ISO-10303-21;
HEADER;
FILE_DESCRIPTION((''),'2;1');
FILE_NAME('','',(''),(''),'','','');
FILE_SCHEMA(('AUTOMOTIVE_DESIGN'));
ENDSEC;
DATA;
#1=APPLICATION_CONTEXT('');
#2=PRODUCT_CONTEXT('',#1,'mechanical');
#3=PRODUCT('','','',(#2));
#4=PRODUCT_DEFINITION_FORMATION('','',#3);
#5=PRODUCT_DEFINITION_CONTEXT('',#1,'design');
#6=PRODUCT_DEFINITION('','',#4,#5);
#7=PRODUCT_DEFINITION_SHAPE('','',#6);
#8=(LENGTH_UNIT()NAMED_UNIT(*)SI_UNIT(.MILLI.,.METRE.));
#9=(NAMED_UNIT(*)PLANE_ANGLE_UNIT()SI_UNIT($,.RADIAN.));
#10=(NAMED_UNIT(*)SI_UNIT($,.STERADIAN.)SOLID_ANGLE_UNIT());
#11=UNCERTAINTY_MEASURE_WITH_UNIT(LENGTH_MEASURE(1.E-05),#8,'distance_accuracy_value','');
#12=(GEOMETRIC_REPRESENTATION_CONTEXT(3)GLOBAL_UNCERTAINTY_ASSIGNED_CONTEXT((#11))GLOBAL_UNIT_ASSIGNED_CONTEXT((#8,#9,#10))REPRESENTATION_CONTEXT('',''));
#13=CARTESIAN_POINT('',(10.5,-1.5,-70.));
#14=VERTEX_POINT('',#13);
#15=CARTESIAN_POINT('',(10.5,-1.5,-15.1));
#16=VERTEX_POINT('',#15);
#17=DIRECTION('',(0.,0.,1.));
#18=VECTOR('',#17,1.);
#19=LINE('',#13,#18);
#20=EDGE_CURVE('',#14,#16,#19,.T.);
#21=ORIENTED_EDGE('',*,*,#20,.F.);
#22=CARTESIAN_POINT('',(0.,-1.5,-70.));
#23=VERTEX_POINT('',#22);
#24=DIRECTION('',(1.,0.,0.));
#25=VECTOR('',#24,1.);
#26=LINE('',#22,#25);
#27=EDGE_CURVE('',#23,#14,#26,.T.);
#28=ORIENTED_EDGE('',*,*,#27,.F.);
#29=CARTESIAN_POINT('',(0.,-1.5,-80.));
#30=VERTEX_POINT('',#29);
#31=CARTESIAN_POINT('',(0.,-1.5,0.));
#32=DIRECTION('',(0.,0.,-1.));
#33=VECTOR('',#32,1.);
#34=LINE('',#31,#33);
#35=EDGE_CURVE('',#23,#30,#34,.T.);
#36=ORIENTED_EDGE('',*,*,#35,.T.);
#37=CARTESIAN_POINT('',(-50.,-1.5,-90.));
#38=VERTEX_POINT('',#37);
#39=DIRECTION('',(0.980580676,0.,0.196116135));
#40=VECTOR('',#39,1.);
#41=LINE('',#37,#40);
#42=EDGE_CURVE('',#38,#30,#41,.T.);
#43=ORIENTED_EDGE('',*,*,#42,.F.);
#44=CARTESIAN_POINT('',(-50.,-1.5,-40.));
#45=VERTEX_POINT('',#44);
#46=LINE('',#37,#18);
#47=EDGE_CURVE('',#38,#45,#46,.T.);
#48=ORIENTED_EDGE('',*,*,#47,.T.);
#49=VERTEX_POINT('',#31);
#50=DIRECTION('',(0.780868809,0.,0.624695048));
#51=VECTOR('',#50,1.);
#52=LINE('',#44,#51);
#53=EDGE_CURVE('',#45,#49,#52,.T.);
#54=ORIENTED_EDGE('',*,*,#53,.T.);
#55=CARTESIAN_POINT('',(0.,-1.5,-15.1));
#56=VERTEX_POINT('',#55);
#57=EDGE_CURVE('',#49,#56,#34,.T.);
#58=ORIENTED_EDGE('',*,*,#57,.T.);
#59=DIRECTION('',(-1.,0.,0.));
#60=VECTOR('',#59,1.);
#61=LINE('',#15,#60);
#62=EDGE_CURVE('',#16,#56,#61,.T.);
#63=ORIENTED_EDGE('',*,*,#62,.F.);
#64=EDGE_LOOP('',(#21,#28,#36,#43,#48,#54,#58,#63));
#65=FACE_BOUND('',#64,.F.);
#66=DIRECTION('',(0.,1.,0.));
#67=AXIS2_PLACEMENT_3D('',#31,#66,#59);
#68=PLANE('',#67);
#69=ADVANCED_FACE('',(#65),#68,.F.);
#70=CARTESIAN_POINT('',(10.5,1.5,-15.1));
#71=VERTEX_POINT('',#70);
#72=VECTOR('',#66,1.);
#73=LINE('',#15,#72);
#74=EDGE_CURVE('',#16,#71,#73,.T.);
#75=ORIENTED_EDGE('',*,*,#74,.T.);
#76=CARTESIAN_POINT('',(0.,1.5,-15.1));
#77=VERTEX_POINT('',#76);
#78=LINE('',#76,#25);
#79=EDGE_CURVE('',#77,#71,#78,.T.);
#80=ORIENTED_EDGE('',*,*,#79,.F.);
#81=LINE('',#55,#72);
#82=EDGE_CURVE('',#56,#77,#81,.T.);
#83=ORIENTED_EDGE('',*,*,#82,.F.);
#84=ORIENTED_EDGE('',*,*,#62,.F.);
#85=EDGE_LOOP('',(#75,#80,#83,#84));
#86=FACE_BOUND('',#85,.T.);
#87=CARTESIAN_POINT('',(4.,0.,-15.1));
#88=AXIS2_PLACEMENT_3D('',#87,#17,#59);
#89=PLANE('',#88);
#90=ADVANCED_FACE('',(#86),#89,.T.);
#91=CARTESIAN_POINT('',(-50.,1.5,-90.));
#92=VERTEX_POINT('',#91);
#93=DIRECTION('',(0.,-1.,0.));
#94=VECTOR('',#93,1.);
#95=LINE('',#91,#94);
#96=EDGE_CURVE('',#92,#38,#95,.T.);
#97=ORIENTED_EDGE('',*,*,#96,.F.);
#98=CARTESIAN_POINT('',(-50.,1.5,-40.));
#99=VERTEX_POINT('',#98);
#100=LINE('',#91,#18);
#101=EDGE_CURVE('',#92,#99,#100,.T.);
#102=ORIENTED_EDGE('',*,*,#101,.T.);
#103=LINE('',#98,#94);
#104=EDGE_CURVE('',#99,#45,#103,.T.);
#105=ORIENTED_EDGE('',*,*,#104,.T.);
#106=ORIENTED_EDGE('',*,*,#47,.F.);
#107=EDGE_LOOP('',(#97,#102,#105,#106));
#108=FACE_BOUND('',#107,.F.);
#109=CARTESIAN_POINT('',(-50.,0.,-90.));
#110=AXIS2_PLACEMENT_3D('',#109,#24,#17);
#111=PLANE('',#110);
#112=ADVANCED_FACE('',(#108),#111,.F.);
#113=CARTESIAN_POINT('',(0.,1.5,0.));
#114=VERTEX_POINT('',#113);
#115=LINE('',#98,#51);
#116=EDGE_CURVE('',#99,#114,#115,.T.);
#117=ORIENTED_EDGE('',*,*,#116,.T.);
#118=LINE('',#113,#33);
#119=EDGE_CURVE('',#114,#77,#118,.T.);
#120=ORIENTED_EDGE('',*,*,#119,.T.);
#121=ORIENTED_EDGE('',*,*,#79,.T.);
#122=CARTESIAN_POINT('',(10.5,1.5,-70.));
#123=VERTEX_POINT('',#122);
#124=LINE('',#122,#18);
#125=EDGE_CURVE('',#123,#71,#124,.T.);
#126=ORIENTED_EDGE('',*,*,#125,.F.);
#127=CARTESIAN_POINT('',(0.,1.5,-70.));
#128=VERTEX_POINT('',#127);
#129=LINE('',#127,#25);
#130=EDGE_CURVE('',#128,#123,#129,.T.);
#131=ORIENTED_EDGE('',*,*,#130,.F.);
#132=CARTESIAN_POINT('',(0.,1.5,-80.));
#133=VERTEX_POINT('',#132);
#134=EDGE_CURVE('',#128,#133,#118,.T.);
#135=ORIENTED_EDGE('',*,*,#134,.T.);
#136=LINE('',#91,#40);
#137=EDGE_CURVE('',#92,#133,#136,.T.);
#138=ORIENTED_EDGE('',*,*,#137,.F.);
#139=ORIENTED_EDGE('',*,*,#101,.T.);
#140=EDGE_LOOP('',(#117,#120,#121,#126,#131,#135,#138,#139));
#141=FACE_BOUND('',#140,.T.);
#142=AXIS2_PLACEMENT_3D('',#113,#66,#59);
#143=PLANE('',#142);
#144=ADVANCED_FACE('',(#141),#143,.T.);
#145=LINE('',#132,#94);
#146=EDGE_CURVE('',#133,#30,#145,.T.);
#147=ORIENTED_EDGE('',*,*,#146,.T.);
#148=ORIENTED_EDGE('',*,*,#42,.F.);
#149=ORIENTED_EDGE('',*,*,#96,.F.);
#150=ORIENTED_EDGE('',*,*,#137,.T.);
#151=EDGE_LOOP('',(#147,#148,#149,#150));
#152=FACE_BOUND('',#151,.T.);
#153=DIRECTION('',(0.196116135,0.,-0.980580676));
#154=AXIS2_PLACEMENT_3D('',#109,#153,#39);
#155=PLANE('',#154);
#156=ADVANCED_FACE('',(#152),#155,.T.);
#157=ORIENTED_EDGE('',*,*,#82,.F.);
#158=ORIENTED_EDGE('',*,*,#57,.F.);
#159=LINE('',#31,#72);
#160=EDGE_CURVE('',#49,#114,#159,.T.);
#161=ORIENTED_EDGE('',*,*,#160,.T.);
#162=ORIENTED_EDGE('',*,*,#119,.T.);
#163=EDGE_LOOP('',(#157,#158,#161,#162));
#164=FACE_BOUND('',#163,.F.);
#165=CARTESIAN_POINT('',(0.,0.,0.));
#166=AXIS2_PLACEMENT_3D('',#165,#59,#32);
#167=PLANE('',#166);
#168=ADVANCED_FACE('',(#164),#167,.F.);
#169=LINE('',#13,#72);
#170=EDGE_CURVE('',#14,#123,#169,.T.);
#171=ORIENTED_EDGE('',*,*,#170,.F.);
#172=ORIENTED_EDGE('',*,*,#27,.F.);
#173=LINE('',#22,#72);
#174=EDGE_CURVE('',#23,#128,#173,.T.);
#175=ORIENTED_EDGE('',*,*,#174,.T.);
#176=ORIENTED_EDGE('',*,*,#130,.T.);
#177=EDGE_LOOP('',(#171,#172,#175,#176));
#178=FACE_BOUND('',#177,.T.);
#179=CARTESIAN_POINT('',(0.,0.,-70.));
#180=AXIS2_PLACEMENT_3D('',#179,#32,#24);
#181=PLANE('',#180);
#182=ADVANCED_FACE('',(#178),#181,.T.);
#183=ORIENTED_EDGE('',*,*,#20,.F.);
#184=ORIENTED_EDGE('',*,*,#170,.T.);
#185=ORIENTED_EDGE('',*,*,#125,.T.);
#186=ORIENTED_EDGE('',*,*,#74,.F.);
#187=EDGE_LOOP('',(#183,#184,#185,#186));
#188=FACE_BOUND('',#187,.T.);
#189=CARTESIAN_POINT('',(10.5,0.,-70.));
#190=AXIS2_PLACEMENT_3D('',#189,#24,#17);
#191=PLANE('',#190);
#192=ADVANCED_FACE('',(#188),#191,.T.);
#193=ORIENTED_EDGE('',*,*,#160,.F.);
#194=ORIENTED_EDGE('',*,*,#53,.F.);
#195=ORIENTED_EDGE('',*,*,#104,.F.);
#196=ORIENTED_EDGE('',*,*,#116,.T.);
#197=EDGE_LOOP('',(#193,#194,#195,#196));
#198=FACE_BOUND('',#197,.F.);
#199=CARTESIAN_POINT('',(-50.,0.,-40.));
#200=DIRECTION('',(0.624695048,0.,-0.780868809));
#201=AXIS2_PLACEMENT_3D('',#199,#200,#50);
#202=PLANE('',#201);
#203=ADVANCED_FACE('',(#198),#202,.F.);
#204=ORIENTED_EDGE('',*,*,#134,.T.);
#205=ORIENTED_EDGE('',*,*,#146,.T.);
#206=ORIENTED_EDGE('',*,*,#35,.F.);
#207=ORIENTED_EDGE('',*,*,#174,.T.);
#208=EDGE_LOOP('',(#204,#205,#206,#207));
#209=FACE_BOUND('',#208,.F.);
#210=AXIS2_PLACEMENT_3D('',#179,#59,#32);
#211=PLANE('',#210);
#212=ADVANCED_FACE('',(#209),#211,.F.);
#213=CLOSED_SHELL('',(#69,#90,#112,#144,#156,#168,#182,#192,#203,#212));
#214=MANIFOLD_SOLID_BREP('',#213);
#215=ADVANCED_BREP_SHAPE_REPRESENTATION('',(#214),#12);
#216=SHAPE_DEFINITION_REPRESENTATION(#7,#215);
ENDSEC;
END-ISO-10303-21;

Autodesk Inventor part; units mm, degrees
ref_plane "YZ Plane" through (0, 0, 0) normal (1, 0, 0) x (0, 1, 0)
ref_plane "XZ Plane" through (0, 0, 0) normal (0, 1, 0) x (-1, 0, 0)
ref_plane "XY Plane" through (0, 0, 0) normal (0, 0, 1) x (1, 0, 0)
sketch "Sketch1" plane through (0, 0, 0) normal (0, 1, 0) x (-1, 0, 0)
  line L0 (0, 0) -> (0, -80)
  line L1 (50, -90) -> (0, -80)
  line L2 (0, -70) -> (-10.5, -70)
  line L3 (-10.5, -70) -> (-10.5, -15.1)
  line L4 (-10.5, -15.1) -> (0, -15.1)
  line L5 (0, -15.1) -> (-4, -15.1)
  line L6 (-4, -15.1) -> (-4, -70) construction
  line L7 (50, -90) -> (50, -40)
  line L8 (50, -40) -> (0, 0)
  dimension "d0" = 80
  dimension "d1" = 50
  dimension "d5" = 10
  dimension "d6" = 54.9
  dimension "d9" = 4
extrude "Extrusion1" add sketch "Sketch1" along normal mid plane 3
properties part number "Stateczniki"
